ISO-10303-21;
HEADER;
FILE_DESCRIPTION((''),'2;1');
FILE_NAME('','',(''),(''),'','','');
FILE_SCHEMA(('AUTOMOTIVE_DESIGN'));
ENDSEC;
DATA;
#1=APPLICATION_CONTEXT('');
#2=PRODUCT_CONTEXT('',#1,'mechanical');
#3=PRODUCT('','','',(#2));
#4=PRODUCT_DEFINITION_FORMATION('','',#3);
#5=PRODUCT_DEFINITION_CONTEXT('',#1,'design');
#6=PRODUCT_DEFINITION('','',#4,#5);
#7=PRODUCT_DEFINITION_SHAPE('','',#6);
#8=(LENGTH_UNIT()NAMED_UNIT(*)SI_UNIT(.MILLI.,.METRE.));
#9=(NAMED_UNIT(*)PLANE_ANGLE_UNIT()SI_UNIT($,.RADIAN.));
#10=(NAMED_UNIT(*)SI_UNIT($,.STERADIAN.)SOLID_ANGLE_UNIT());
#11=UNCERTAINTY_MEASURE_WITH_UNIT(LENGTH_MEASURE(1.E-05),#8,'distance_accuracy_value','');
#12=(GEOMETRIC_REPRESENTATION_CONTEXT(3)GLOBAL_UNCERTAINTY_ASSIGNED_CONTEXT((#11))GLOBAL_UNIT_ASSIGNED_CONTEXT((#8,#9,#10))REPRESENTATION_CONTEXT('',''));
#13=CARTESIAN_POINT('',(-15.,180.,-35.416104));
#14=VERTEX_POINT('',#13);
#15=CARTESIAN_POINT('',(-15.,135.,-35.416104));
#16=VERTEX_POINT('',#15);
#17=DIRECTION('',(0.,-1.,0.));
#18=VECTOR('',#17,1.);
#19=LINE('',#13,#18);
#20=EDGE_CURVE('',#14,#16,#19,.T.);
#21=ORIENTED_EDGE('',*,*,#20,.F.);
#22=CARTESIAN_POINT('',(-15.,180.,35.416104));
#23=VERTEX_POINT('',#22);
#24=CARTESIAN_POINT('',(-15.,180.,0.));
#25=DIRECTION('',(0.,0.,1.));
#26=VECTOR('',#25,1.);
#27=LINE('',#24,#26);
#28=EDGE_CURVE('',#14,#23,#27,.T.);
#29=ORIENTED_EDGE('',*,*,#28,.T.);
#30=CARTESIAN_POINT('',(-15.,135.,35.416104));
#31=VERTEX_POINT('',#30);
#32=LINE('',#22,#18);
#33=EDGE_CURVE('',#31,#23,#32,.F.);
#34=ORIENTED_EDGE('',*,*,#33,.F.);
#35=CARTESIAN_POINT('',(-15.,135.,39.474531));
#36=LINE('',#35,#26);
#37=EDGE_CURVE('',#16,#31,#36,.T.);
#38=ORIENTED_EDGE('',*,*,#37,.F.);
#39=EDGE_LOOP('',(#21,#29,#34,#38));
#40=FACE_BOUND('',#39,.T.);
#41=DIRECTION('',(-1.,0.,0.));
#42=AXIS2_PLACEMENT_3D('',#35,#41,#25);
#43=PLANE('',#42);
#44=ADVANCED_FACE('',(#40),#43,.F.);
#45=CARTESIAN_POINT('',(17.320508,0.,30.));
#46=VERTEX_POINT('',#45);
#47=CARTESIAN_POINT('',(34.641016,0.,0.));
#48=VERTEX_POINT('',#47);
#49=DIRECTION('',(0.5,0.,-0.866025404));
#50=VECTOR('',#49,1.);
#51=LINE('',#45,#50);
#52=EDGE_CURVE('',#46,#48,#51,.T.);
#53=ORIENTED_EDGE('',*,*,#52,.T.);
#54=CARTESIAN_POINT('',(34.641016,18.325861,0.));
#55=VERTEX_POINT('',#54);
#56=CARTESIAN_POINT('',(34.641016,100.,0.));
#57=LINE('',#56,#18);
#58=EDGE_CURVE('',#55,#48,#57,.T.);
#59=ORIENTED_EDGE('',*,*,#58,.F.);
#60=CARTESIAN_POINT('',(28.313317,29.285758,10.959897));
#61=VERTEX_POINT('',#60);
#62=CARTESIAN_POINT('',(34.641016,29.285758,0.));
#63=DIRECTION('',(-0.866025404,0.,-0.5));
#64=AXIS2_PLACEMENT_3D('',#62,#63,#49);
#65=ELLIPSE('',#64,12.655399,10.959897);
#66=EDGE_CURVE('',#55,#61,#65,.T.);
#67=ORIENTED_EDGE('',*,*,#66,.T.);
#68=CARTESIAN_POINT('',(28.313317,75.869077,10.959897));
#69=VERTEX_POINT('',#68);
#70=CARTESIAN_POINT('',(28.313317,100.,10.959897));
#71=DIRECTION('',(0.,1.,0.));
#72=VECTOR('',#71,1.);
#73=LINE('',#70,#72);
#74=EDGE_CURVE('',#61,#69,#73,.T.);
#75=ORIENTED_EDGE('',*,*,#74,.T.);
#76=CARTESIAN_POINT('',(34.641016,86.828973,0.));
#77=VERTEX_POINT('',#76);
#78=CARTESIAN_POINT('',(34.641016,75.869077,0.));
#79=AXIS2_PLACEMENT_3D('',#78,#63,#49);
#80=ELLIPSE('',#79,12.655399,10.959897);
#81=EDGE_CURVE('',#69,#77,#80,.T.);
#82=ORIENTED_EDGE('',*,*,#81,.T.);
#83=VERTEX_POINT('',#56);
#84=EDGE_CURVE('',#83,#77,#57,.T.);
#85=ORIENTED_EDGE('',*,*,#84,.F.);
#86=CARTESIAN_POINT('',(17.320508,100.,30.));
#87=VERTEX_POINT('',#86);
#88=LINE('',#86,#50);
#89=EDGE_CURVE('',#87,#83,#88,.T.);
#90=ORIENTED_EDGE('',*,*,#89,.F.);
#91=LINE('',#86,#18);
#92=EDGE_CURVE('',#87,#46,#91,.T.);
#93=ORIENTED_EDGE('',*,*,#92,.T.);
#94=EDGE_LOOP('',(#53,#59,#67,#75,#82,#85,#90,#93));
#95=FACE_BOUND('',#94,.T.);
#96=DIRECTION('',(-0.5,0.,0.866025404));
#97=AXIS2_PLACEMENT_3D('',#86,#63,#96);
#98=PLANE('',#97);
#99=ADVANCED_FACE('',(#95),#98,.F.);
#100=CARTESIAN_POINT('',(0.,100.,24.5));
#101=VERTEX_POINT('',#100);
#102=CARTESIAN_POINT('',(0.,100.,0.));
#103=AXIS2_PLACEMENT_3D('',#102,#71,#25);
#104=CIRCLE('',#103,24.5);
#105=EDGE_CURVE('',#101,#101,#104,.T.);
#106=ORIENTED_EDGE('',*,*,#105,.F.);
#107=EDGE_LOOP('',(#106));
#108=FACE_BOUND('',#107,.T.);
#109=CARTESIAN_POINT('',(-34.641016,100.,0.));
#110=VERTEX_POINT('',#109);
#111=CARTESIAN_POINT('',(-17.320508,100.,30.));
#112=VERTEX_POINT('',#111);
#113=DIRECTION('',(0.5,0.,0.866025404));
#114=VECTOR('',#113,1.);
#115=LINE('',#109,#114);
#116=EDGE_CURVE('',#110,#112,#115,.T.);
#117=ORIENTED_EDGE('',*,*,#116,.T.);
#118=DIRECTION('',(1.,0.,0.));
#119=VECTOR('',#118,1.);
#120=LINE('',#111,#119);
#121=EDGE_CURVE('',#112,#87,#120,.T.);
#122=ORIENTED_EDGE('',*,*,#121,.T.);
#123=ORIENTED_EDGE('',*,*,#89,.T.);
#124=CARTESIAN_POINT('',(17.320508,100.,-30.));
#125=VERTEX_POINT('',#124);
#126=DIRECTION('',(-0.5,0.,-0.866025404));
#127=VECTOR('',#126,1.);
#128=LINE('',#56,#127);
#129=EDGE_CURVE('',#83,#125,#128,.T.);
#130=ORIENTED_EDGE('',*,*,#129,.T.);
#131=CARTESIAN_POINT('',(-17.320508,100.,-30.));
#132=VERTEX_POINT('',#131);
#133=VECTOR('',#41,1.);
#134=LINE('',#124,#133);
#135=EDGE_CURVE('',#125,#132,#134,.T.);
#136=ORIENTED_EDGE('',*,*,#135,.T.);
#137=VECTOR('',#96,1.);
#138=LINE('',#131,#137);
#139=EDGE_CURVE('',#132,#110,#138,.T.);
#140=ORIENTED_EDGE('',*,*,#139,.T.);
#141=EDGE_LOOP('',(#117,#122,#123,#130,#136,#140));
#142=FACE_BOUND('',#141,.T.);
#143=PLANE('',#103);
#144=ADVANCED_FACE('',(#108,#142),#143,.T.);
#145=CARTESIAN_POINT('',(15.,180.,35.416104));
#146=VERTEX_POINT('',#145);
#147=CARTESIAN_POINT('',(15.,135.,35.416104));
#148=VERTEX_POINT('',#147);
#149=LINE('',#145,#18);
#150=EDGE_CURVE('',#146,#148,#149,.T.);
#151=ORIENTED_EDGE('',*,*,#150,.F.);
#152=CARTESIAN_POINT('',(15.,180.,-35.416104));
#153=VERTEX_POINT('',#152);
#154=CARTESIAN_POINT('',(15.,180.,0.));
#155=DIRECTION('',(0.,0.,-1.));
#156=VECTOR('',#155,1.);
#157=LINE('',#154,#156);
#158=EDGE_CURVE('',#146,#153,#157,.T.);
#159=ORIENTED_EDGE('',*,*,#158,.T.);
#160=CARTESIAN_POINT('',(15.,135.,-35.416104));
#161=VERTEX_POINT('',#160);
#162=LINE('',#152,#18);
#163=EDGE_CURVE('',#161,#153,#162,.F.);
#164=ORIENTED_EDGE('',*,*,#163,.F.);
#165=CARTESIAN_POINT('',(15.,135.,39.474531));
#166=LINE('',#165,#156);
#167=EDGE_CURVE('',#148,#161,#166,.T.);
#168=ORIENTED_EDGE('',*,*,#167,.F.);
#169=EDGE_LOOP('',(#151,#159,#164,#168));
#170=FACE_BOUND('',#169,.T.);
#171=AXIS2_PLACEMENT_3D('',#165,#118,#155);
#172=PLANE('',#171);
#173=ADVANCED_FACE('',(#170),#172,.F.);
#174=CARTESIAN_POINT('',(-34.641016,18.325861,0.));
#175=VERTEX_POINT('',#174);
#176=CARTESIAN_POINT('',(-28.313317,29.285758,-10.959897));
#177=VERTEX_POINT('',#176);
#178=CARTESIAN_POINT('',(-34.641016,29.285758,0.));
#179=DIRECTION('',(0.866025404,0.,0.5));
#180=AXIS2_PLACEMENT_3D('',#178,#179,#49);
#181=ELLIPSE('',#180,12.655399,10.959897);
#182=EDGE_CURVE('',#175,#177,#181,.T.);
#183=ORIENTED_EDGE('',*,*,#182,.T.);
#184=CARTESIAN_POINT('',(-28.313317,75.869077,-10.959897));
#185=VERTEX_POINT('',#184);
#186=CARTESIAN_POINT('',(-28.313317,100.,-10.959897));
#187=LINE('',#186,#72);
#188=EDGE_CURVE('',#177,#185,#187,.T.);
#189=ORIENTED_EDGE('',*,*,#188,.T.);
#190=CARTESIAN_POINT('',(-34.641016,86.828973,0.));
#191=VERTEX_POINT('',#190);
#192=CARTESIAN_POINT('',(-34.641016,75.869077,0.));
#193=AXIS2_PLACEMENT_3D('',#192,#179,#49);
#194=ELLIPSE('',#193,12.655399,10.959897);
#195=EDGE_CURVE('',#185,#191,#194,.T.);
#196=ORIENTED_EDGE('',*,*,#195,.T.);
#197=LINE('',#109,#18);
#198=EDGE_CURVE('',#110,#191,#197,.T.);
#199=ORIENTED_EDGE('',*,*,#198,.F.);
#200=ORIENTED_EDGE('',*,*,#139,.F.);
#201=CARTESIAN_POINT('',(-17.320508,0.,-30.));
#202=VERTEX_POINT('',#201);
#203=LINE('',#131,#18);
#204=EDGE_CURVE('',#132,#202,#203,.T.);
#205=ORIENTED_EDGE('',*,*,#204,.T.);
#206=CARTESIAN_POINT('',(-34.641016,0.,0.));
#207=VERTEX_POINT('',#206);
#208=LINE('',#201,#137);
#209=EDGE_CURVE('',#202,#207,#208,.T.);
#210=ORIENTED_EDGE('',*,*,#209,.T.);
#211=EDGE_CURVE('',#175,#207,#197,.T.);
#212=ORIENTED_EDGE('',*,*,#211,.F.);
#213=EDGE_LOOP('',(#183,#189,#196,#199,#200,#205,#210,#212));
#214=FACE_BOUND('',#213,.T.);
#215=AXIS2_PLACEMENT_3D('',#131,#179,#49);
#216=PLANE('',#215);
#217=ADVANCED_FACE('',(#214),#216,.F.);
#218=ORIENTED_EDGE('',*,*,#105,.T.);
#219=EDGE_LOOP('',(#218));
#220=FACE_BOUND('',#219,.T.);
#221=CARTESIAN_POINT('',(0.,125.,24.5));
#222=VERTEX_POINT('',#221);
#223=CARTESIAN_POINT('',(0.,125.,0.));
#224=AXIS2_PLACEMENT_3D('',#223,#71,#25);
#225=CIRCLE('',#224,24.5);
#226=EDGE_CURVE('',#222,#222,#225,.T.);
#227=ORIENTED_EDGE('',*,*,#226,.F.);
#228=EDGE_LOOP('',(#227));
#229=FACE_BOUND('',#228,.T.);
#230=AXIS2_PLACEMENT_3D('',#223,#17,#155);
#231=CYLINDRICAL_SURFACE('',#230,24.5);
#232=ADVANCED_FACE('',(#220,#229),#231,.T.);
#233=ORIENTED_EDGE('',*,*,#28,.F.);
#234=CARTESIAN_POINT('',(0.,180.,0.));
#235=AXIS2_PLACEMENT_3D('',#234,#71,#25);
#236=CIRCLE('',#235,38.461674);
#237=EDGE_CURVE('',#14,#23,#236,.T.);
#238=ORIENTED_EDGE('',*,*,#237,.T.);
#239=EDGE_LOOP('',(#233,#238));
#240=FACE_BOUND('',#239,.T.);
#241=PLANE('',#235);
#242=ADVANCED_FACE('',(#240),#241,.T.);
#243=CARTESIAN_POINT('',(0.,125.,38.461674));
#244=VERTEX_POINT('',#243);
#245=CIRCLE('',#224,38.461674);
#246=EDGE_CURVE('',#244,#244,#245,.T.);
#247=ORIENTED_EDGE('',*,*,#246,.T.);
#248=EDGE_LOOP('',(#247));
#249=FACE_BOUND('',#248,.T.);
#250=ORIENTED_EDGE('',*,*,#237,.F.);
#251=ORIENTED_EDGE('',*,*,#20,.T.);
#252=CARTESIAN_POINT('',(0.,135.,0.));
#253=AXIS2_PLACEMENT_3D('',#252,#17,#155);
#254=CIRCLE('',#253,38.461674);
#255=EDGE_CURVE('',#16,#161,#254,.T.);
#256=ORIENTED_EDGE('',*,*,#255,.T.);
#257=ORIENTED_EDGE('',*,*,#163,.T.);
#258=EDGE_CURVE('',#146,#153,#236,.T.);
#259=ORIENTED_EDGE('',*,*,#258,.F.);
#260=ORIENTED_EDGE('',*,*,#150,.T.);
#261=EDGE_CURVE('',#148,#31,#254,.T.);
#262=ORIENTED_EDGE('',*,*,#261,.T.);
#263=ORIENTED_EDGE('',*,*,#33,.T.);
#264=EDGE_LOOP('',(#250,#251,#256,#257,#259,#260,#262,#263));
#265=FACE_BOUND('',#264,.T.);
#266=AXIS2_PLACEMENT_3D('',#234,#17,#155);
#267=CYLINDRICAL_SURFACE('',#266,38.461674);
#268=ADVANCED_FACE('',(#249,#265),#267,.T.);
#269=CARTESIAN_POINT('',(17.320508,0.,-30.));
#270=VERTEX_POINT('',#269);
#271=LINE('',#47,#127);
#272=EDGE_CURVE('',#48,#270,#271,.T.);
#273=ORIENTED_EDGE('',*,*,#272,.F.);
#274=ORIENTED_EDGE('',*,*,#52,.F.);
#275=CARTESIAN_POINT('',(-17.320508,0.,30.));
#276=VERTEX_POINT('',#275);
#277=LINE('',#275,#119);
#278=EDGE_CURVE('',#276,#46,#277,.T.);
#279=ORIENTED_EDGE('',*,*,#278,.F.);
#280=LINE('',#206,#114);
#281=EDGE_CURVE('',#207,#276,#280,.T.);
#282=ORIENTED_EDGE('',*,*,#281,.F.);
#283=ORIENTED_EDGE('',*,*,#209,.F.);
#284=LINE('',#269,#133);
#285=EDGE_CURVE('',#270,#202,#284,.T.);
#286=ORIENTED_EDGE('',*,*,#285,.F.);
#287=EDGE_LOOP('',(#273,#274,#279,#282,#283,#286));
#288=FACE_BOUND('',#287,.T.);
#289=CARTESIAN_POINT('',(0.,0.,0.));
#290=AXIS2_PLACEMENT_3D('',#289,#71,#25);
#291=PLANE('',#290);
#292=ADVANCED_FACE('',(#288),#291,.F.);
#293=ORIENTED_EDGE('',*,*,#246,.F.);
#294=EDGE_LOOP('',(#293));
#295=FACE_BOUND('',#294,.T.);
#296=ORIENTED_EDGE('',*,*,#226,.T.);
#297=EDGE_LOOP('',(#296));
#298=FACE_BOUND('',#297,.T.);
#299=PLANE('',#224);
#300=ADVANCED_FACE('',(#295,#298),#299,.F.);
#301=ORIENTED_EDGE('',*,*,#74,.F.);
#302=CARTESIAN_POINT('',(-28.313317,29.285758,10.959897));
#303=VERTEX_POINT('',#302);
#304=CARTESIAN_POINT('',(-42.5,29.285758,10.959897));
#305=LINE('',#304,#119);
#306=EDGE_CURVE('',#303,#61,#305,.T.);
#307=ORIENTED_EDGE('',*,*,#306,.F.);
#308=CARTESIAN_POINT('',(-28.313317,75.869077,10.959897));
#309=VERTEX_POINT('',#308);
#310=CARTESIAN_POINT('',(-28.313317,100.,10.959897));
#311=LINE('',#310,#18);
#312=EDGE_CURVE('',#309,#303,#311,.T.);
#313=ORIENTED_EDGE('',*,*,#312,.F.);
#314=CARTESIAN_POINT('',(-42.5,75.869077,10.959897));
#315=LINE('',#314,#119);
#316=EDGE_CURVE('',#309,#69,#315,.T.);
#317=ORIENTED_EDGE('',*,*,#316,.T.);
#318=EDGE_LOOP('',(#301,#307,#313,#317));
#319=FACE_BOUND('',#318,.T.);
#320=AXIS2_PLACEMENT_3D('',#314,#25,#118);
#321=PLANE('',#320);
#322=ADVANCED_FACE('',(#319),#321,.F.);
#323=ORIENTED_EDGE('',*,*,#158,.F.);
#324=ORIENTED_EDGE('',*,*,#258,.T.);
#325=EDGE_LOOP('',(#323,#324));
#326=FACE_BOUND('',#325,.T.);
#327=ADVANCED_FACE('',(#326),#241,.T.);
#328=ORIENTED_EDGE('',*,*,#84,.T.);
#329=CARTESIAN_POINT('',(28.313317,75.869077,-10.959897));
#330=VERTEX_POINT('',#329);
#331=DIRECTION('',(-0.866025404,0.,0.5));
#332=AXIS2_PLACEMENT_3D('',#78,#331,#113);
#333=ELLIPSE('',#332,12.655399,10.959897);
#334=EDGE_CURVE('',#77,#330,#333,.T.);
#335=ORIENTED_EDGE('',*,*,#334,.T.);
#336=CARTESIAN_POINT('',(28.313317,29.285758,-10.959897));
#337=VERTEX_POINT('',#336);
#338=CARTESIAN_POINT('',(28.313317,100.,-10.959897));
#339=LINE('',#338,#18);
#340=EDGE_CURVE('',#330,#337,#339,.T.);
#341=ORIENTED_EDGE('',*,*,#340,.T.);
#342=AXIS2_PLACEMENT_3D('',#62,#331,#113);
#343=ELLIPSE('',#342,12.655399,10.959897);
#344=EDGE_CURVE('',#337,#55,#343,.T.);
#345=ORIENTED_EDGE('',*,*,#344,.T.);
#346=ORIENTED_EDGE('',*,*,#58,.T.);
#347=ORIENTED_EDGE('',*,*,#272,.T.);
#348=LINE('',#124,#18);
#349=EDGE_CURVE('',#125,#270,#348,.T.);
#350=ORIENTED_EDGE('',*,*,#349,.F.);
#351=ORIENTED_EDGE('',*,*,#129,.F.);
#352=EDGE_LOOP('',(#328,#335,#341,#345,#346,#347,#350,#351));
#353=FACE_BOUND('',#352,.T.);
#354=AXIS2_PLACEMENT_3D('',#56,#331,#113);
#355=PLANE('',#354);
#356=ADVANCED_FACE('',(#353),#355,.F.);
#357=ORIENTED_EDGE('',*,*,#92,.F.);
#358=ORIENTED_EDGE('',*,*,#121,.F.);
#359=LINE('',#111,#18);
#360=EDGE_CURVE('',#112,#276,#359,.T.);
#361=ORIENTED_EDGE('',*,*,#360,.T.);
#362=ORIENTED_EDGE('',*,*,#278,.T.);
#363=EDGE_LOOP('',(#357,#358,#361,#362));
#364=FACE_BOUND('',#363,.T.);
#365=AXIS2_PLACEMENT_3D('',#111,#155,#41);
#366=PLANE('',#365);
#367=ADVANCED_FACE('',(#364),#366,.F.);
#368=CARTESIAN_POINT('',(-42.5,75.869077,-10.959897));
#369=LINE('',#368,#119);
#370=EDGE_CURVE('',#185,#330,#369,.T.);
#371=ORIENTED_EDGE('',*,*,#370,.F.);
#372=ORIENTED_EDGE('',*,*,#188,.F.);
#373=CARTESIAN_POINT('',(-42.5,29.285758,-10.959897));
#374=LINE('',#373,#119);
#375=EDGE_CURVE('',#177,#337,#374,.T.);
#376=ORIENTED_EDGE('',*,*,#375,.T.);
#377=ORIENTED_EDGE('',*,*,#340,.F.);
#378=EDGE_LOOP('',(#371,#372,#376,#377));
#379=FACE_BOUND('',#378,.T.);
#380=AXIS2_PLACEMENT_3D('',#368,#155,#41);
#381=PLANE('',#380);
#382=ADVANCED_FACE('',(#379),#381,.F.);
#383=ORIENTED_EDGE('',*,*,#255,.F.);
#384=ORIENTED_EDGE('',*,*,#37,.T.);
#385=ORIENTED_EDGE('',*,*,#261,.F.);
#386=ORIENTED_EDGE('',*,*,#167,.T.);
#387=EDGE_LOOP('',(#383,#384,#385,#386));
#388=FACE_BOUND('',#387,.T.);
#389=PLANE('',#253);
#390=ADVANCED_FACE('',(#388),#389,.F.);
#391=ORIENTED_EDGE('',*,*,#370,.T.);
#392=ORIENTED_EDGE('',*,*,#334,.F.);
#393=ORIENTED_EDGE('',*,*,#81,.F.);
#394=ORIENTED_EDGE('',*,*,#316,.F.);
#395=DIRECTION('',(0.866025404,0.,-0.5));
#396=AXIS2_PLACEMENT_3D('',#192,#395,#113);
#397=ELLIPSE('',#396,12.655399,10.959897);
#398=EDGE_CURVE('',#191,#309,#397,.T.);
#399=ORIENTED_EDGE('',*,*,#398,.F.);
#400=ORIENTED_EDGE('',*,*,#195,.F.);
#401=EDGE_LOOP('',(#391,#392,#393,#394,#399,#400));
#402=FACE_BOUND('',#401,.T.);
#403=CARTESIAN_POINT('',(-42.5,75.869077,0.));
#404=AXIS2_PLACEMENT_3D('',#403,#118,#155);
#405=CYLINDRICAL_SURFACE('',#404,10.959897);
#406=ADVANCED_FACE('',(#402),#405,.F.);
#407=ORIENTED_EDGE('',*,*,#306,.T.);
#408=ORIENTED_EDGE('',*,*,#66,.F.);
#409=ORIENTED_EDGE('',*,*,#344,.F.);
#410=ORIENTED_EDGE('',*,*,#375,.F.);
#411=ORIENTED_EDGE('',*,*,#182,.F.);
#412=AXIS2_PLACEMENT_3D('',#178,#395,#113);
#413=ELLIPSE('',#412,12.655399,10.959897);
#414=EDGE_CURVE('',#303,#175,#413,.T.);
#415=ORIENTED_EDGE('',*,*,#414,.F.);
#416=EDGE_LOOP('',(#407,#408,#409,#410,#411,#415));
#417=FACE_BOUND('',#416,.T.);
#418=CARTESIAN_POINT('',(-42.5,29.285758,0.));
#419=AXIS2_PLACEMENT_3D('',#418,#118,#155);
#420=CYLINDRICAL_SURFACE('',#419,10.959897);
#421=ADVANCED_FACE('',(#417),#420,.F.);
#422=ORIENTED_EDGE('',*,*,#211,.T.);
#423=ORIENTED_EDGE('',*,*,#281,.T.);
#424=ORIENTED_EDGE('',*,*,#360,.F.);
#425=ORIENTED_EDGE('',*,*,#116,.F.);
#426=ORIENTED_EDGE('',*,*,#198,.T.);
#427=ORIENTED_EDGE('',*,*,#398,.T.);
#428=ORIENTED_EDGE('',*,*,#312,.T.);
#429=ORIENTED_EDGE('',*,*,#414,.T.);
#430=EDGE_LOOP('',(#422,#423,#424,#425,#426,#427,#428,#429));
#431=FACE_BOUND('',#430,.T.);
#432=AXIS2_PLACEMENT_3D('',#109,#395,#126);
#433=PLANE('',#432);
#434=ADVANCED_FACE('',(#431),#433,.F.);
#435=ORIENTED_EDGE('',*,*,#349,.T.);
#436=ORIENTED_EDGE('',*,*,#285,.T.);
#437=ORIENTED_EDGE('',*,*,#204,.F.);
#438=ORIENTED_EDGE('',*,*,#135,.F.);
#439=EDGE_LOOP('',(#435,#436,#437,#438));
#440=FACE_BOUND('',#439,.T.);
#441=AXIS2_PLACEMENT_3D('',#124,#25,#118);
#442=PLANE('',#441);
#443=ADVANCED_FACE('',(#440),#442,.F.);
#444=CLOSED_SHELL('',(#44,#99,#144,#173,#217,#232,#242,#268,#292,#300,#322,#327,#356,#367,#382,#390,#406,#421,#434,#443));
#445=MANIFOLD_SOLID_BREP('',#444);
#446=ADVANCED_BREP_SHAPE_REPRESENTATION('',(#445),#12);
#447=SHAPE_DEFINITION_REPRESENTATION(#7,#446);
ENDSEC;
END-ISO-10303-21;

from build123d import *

# Parameters (mm, degrees)
BOSS_EXTRUDE1_DEPTH = 100
SKETCH5_R           = 24.5
BOSS_EXTRUDE3_DEPTH = 25
SKETCH7_R           = 38.461674467
BOSS_EXTRUDE4_DEPTH = 55
SKETCH8_W           = 30
SKETCH8_H           = 78.949061688
CUT_EXTRUDE1_DEPTH  = 45
CUT_EXTRUDE2_DEPTH  = 42.5


with BuildPart() as part:
    # Sketch4 → Boss-Extrude1 (new body)
    with BuildSketch(Plane(origin=(0, 0, 0), x_dir=(1, 0, 0), z_dir=(0, 1, 0))):
        Polygon((34.641016151, 0), (17.320508076, 30), (-17.320508076, 30), (-34.641016151, 0), (-17.320508076, -30), (17.320508076, -30), align=None)
    extrude(amount=BOSS_EXTRUDE1_DEPTH)

    # Sketch5 → Boss-Extrude3 (add)
    with BuildSketch(Plane(origin=(0, 100, 0), x_dir=(1, 0, 0), z_dir=(0, 1, 0))):
        with Locations(Location((0, 0, 0), (0, 0, 270))):
            Circle(SKETCH5_R)
    extrude(amount=BOSS_EXTRUDE3_DEPTH)

    # Sketch7 → Boss-Extrude4 (add)
    with BuildSketch(Plane(origin=(0, 125, 0), x_dir=(1, 0, 0), z_dir=(0, 1, 0))):
        with Locations(Location((0, 0, 0), (0, 0, 270))):
            Circle(SKETCH7_R)
    extrude(amount=BOSS_EXTRUDE4_DEPTH)

    # Sketch8 → Cut-Extrude1 (cut)
    with BuildSketch(Plane(origin=(0, 180, 0), x_dir=(1, 0, 0), z_dir=(0, 1, 0))):
        Rectangle(SKETCH8_W, SKETCH8_H)
    extrude(amount=-CUT_EXTRUDE1_DEPTH, mode=Mode.SUBTRACT)

    # Sketch9 → Cut-Extrude2 (cut, symmetric)
    with BuildSketch(Plane(origin=(0, 0, 0), x_dir=(0, 0, -1), z_dir=(1, 0, 0))):
        with BuildLine():
            Line((10.959896638, 75.869076848), (10.959896638, 29.285757766))
            ThreePointArc((10.959896638, 29.285757766), (0, 18.325861128), (-10.959896638, 29.285757766))
            Line((-10.959896638, 29.285757766), (-10.959896638, 75.869076848))
            ThreePointArc((-10.959896638, 75.869076848), (0, 86.828973486), (10.959896638, 75.869076848))
        make_face()
    extrude(amount=CUT_EXTRUDE2_DEPTH, both=True, mode=Mode.SUBTRACT)


solid = part.part
